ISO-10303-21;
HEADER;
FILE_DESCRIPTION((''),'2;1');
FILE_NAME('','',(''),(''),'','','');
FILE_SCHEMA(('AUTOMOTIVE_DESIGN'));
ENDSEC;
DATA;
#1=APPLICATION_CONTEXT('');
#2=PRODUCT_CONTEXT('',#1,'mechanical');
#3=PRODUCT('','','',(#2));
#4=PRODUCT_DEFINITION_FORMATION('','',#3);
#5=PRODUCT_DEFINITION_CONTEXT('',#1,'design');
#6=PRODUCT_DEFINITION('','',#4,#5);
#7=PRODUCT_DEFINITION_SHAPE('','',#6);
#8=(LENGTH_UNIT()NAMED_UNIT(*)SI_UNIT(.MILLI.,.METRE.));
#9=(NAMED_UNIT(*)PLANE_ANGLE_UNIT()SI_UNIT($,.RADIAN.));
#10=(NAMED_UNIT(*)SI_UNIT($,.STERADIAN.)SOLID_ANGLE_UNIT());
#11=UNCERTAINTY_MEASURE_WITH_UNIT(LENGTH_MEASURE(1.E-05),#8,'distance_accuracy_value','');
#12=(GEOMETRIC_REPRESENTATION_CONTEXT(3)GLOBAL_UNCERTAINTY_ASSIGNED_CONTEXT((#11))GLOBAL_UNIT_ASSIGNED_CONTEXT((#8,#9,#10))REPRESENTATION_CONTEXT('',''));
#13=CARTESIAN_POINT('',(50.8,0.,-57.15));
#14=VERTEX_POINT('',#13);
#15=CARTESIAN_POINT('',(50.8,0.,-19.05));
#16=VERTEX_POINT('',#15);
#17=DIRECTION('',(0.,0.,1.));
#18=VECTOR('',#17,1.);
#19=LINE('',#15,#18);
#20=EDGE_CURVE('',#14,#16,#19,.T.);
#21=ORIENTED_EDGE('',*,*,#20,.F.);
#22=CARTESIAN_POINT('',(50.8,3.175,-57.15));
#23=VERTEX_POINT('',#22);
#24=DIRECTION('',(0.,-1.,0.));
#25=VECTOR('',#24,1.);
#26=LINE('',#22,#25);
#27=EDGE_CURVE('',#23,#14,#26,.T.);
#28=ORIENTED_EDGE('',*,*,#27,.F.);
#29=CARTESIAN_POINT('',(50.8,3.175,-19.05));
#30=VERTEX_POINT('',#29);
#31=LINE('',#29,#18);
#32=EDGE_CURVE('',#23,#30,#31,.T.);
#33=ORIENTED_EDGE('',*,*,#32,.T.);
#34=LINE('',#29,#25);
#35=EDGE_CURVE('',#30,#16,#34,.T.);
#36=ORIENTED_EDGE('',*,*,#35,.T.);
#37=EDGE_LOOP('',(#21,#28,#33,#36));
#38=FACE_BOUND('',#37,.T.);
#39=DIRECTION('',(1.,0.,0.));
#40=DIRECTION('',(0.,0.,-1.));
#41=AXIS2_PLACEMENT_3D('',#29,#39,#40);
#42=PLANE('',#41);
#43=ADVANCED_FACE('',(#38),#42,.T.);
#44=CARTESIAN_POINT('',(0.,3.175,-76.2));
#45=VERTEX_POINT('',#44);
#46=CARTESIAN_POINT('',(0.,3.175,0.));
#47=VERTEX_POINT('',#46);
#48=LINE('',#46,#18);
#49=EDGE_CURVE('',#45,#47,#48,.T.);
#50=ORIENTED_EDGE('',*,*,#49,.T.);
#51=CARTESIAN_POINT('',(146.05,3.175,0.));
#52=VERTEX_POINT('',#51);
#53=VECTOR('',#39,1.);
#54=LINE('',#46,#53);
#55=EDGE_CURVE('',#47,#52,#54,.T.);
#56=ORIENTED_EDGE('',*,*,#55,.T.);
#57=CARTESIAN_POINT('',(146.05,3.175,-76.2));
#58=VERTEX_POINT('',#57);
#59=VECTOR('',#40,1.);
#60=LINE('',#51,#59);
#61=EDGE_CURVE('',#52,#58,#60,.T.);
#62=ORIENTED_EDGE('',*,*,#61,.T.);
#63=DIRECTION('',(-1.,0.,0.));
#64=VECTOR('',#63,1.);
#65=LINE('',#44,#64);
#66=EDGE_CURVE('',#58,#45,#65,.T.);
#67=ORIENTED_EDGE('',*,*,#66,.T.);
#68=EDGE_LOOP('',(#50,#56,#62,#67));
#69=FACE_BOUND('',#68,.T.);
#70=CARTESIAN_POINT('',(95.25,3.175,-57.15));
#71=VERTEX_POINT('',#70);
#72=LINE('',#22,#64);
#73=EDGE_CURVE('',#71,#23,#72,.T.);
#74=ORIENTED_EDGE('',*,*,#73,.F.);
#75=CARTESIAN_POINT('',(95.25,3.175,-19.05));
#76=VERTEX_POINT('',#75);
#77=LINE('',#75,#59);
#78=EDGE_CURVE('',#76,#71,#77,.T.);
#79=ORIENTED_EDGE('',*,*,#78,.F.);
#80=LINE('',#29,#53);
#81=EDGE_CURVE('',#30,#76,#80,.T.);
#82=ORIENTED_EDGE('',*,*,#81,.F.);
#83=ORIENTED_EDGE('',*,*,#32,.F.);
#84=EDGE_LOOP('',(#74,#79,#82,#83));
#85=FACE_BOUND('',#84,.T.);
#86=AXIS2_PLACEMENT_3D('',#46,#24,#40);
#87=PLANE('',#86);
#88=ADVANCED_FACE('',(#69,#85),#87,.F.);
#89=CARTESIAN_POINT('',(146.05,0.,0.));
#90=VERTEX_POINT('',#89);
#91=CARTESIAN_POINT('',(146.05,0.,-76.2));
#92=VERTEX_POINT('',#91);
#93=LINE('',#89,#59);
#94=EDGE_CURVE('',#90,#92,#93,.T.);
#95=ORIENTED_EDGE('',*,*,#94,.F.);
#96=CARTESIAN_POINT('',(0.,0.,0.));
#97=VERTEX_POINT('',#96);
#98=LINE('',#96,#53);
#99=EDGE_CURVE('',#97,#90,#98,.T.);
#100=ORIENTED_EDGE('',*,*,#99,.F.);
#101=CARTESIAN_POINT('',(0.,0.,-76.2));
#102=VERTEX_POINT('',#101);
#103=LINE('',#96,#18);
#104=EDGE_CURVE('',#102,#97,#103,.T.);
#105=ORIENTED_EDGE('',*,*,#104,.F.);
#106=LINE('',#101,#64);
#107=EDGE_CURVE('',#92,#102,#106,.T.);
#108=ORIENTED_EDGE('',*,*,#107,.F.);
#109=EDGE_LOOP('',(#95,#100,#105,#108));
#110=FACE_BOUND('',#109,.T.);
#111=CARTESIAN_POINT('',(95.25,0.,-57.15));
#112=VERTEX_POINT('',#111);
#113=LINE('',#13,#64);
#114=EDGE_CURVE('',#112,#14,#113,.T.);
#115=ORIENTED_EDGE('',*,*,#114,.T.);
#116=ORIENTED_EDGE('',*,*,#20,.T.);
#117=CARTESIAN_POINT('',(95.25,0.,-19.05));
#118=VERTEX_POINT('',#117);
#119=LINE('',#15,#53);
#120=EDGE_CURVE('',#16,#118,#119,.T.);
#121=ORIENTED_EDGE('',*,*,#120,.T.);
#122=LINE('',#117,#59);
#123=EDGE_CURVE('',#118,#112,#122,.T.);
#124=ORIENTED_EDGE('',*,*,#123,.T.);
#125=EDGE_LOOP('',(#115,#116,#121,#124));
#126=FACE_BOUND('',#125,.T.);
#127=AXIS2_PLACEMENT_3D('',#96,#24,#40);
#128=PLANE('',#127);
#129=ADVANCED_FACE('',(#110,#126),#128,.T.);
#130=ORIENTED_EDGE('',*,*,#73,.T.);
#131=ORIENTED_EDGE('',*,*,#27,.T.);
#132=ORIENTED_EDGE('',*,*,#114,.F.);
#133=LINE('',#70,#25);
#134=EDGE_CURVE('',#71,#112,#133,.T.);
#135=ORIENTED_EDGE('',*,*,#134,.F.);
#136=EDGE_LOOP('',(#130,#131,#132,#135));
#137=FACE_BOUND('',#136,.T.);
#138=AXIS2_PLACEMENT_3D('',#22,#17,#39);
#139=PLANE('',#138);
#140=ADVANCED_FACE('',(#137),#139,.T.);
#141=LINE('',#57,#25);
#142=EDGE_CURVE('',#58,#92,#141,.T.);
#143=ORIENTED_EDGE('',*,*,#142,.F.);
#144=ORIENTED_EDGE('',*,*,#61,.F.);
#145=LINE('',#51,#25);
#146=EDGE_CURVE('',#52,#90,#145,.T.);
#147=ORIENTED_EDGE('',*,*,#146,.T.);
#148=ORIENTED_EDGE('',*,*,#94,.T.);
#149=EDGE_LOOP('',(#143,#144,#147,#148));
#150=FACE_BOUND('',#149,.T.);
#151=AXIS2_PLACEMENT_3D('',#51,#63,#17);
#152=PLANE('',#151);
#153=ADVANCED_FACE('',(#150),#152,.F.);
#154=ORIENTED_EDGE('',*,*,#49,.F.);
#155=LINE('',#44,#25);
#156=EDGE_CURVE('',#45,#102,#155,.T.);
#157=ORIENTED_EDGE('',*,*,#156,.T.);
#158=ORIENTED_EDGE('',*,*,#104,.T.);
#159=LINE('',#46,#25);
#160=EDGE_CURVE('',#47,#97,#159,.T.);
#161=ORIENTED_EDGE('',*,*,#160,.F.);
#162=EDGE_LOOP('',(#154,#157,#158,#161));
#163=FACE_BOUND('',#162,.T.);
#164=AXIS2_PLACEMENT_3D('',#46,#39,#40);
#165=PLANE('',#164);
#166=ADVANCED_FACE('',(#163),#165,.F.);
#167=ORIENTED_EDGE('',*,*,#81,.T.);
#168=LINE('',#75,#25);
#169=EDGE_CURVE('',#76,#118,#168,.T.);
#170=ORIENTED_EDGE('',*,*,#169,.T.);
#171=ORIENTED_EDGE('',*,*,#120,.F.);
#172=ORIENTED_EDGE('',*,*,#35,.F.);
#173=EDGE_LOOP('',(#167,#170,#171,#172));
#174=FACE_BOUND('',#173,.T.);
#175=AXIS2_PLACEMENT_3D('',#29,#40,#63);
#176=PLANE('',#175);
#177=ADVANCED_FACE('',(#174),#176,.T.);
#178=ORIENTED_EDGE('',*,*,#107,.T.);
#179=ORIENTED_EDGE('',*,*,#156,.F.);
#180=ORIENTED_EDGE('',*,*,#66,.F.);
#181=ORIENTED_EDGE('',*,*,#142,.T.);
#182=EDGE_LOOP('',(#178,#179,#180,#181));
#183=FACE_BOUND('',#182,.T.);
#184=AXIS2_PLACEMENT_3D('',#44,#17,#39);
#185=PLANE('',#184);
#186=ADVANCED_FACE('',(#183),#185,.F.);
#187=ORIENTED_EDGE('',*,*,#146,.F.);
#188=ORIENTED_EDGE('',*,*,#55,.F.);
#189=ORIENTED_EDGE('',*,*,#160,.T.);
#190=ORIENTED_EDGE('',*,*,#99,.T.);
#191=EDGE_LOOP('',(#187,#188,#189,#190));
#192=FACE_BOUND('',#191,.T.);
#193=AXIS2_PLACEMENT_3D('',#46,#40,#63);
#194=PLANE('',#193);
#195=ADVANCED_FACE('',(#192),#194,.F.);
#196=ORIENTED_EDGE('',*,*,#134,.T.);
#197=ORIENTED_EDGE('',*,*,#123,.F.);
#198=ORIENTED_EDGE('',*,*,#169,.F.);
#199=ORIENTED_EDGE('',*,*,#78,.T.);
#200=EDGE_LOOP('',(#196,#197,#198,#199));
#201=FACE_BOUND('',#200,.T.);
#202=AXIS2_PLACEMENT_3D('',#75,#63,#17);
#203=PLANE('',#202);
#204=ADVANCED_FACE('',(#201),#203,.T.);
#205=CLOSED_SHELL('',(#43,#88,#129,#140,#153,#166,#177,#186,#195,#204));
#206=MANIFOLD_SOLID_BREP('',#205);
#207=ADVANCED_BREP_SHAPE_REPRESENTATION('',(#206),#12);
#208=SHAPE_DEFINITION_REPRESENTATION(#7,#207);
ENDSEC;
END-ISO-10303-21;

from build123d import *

# Parameters (mm, degrees)
SKETCH1_W           = 146.05
SKETCH1_H           = 76.2
SKETCH1_W_2         = 44.45
SKETCH1_H_2         = 38.1
BOSS_EXTRUDE1_DEPTH = 3.175


with BuildPart() as part:
    # Sketch1 → Boss-Extrude1 (new body)
    with BuildSketch(Plane(origin=(0, 0, 0), x_dir=(1, 0, 0), z_dir=(0, 1, 0))):
        with Locations((73.025, 38.1)):
            Rectangle(SKETCH1_W, SKETCH1_H)
        with Locations((73.025, 38.1)):
            Rectangle(SKETCH1_W_2, SKETCH1_H_2, mode=Mode.SUBTRACT)
    extrude(amount=BOSS_EXTRUDE1_DEPTH)


solid = part.part
